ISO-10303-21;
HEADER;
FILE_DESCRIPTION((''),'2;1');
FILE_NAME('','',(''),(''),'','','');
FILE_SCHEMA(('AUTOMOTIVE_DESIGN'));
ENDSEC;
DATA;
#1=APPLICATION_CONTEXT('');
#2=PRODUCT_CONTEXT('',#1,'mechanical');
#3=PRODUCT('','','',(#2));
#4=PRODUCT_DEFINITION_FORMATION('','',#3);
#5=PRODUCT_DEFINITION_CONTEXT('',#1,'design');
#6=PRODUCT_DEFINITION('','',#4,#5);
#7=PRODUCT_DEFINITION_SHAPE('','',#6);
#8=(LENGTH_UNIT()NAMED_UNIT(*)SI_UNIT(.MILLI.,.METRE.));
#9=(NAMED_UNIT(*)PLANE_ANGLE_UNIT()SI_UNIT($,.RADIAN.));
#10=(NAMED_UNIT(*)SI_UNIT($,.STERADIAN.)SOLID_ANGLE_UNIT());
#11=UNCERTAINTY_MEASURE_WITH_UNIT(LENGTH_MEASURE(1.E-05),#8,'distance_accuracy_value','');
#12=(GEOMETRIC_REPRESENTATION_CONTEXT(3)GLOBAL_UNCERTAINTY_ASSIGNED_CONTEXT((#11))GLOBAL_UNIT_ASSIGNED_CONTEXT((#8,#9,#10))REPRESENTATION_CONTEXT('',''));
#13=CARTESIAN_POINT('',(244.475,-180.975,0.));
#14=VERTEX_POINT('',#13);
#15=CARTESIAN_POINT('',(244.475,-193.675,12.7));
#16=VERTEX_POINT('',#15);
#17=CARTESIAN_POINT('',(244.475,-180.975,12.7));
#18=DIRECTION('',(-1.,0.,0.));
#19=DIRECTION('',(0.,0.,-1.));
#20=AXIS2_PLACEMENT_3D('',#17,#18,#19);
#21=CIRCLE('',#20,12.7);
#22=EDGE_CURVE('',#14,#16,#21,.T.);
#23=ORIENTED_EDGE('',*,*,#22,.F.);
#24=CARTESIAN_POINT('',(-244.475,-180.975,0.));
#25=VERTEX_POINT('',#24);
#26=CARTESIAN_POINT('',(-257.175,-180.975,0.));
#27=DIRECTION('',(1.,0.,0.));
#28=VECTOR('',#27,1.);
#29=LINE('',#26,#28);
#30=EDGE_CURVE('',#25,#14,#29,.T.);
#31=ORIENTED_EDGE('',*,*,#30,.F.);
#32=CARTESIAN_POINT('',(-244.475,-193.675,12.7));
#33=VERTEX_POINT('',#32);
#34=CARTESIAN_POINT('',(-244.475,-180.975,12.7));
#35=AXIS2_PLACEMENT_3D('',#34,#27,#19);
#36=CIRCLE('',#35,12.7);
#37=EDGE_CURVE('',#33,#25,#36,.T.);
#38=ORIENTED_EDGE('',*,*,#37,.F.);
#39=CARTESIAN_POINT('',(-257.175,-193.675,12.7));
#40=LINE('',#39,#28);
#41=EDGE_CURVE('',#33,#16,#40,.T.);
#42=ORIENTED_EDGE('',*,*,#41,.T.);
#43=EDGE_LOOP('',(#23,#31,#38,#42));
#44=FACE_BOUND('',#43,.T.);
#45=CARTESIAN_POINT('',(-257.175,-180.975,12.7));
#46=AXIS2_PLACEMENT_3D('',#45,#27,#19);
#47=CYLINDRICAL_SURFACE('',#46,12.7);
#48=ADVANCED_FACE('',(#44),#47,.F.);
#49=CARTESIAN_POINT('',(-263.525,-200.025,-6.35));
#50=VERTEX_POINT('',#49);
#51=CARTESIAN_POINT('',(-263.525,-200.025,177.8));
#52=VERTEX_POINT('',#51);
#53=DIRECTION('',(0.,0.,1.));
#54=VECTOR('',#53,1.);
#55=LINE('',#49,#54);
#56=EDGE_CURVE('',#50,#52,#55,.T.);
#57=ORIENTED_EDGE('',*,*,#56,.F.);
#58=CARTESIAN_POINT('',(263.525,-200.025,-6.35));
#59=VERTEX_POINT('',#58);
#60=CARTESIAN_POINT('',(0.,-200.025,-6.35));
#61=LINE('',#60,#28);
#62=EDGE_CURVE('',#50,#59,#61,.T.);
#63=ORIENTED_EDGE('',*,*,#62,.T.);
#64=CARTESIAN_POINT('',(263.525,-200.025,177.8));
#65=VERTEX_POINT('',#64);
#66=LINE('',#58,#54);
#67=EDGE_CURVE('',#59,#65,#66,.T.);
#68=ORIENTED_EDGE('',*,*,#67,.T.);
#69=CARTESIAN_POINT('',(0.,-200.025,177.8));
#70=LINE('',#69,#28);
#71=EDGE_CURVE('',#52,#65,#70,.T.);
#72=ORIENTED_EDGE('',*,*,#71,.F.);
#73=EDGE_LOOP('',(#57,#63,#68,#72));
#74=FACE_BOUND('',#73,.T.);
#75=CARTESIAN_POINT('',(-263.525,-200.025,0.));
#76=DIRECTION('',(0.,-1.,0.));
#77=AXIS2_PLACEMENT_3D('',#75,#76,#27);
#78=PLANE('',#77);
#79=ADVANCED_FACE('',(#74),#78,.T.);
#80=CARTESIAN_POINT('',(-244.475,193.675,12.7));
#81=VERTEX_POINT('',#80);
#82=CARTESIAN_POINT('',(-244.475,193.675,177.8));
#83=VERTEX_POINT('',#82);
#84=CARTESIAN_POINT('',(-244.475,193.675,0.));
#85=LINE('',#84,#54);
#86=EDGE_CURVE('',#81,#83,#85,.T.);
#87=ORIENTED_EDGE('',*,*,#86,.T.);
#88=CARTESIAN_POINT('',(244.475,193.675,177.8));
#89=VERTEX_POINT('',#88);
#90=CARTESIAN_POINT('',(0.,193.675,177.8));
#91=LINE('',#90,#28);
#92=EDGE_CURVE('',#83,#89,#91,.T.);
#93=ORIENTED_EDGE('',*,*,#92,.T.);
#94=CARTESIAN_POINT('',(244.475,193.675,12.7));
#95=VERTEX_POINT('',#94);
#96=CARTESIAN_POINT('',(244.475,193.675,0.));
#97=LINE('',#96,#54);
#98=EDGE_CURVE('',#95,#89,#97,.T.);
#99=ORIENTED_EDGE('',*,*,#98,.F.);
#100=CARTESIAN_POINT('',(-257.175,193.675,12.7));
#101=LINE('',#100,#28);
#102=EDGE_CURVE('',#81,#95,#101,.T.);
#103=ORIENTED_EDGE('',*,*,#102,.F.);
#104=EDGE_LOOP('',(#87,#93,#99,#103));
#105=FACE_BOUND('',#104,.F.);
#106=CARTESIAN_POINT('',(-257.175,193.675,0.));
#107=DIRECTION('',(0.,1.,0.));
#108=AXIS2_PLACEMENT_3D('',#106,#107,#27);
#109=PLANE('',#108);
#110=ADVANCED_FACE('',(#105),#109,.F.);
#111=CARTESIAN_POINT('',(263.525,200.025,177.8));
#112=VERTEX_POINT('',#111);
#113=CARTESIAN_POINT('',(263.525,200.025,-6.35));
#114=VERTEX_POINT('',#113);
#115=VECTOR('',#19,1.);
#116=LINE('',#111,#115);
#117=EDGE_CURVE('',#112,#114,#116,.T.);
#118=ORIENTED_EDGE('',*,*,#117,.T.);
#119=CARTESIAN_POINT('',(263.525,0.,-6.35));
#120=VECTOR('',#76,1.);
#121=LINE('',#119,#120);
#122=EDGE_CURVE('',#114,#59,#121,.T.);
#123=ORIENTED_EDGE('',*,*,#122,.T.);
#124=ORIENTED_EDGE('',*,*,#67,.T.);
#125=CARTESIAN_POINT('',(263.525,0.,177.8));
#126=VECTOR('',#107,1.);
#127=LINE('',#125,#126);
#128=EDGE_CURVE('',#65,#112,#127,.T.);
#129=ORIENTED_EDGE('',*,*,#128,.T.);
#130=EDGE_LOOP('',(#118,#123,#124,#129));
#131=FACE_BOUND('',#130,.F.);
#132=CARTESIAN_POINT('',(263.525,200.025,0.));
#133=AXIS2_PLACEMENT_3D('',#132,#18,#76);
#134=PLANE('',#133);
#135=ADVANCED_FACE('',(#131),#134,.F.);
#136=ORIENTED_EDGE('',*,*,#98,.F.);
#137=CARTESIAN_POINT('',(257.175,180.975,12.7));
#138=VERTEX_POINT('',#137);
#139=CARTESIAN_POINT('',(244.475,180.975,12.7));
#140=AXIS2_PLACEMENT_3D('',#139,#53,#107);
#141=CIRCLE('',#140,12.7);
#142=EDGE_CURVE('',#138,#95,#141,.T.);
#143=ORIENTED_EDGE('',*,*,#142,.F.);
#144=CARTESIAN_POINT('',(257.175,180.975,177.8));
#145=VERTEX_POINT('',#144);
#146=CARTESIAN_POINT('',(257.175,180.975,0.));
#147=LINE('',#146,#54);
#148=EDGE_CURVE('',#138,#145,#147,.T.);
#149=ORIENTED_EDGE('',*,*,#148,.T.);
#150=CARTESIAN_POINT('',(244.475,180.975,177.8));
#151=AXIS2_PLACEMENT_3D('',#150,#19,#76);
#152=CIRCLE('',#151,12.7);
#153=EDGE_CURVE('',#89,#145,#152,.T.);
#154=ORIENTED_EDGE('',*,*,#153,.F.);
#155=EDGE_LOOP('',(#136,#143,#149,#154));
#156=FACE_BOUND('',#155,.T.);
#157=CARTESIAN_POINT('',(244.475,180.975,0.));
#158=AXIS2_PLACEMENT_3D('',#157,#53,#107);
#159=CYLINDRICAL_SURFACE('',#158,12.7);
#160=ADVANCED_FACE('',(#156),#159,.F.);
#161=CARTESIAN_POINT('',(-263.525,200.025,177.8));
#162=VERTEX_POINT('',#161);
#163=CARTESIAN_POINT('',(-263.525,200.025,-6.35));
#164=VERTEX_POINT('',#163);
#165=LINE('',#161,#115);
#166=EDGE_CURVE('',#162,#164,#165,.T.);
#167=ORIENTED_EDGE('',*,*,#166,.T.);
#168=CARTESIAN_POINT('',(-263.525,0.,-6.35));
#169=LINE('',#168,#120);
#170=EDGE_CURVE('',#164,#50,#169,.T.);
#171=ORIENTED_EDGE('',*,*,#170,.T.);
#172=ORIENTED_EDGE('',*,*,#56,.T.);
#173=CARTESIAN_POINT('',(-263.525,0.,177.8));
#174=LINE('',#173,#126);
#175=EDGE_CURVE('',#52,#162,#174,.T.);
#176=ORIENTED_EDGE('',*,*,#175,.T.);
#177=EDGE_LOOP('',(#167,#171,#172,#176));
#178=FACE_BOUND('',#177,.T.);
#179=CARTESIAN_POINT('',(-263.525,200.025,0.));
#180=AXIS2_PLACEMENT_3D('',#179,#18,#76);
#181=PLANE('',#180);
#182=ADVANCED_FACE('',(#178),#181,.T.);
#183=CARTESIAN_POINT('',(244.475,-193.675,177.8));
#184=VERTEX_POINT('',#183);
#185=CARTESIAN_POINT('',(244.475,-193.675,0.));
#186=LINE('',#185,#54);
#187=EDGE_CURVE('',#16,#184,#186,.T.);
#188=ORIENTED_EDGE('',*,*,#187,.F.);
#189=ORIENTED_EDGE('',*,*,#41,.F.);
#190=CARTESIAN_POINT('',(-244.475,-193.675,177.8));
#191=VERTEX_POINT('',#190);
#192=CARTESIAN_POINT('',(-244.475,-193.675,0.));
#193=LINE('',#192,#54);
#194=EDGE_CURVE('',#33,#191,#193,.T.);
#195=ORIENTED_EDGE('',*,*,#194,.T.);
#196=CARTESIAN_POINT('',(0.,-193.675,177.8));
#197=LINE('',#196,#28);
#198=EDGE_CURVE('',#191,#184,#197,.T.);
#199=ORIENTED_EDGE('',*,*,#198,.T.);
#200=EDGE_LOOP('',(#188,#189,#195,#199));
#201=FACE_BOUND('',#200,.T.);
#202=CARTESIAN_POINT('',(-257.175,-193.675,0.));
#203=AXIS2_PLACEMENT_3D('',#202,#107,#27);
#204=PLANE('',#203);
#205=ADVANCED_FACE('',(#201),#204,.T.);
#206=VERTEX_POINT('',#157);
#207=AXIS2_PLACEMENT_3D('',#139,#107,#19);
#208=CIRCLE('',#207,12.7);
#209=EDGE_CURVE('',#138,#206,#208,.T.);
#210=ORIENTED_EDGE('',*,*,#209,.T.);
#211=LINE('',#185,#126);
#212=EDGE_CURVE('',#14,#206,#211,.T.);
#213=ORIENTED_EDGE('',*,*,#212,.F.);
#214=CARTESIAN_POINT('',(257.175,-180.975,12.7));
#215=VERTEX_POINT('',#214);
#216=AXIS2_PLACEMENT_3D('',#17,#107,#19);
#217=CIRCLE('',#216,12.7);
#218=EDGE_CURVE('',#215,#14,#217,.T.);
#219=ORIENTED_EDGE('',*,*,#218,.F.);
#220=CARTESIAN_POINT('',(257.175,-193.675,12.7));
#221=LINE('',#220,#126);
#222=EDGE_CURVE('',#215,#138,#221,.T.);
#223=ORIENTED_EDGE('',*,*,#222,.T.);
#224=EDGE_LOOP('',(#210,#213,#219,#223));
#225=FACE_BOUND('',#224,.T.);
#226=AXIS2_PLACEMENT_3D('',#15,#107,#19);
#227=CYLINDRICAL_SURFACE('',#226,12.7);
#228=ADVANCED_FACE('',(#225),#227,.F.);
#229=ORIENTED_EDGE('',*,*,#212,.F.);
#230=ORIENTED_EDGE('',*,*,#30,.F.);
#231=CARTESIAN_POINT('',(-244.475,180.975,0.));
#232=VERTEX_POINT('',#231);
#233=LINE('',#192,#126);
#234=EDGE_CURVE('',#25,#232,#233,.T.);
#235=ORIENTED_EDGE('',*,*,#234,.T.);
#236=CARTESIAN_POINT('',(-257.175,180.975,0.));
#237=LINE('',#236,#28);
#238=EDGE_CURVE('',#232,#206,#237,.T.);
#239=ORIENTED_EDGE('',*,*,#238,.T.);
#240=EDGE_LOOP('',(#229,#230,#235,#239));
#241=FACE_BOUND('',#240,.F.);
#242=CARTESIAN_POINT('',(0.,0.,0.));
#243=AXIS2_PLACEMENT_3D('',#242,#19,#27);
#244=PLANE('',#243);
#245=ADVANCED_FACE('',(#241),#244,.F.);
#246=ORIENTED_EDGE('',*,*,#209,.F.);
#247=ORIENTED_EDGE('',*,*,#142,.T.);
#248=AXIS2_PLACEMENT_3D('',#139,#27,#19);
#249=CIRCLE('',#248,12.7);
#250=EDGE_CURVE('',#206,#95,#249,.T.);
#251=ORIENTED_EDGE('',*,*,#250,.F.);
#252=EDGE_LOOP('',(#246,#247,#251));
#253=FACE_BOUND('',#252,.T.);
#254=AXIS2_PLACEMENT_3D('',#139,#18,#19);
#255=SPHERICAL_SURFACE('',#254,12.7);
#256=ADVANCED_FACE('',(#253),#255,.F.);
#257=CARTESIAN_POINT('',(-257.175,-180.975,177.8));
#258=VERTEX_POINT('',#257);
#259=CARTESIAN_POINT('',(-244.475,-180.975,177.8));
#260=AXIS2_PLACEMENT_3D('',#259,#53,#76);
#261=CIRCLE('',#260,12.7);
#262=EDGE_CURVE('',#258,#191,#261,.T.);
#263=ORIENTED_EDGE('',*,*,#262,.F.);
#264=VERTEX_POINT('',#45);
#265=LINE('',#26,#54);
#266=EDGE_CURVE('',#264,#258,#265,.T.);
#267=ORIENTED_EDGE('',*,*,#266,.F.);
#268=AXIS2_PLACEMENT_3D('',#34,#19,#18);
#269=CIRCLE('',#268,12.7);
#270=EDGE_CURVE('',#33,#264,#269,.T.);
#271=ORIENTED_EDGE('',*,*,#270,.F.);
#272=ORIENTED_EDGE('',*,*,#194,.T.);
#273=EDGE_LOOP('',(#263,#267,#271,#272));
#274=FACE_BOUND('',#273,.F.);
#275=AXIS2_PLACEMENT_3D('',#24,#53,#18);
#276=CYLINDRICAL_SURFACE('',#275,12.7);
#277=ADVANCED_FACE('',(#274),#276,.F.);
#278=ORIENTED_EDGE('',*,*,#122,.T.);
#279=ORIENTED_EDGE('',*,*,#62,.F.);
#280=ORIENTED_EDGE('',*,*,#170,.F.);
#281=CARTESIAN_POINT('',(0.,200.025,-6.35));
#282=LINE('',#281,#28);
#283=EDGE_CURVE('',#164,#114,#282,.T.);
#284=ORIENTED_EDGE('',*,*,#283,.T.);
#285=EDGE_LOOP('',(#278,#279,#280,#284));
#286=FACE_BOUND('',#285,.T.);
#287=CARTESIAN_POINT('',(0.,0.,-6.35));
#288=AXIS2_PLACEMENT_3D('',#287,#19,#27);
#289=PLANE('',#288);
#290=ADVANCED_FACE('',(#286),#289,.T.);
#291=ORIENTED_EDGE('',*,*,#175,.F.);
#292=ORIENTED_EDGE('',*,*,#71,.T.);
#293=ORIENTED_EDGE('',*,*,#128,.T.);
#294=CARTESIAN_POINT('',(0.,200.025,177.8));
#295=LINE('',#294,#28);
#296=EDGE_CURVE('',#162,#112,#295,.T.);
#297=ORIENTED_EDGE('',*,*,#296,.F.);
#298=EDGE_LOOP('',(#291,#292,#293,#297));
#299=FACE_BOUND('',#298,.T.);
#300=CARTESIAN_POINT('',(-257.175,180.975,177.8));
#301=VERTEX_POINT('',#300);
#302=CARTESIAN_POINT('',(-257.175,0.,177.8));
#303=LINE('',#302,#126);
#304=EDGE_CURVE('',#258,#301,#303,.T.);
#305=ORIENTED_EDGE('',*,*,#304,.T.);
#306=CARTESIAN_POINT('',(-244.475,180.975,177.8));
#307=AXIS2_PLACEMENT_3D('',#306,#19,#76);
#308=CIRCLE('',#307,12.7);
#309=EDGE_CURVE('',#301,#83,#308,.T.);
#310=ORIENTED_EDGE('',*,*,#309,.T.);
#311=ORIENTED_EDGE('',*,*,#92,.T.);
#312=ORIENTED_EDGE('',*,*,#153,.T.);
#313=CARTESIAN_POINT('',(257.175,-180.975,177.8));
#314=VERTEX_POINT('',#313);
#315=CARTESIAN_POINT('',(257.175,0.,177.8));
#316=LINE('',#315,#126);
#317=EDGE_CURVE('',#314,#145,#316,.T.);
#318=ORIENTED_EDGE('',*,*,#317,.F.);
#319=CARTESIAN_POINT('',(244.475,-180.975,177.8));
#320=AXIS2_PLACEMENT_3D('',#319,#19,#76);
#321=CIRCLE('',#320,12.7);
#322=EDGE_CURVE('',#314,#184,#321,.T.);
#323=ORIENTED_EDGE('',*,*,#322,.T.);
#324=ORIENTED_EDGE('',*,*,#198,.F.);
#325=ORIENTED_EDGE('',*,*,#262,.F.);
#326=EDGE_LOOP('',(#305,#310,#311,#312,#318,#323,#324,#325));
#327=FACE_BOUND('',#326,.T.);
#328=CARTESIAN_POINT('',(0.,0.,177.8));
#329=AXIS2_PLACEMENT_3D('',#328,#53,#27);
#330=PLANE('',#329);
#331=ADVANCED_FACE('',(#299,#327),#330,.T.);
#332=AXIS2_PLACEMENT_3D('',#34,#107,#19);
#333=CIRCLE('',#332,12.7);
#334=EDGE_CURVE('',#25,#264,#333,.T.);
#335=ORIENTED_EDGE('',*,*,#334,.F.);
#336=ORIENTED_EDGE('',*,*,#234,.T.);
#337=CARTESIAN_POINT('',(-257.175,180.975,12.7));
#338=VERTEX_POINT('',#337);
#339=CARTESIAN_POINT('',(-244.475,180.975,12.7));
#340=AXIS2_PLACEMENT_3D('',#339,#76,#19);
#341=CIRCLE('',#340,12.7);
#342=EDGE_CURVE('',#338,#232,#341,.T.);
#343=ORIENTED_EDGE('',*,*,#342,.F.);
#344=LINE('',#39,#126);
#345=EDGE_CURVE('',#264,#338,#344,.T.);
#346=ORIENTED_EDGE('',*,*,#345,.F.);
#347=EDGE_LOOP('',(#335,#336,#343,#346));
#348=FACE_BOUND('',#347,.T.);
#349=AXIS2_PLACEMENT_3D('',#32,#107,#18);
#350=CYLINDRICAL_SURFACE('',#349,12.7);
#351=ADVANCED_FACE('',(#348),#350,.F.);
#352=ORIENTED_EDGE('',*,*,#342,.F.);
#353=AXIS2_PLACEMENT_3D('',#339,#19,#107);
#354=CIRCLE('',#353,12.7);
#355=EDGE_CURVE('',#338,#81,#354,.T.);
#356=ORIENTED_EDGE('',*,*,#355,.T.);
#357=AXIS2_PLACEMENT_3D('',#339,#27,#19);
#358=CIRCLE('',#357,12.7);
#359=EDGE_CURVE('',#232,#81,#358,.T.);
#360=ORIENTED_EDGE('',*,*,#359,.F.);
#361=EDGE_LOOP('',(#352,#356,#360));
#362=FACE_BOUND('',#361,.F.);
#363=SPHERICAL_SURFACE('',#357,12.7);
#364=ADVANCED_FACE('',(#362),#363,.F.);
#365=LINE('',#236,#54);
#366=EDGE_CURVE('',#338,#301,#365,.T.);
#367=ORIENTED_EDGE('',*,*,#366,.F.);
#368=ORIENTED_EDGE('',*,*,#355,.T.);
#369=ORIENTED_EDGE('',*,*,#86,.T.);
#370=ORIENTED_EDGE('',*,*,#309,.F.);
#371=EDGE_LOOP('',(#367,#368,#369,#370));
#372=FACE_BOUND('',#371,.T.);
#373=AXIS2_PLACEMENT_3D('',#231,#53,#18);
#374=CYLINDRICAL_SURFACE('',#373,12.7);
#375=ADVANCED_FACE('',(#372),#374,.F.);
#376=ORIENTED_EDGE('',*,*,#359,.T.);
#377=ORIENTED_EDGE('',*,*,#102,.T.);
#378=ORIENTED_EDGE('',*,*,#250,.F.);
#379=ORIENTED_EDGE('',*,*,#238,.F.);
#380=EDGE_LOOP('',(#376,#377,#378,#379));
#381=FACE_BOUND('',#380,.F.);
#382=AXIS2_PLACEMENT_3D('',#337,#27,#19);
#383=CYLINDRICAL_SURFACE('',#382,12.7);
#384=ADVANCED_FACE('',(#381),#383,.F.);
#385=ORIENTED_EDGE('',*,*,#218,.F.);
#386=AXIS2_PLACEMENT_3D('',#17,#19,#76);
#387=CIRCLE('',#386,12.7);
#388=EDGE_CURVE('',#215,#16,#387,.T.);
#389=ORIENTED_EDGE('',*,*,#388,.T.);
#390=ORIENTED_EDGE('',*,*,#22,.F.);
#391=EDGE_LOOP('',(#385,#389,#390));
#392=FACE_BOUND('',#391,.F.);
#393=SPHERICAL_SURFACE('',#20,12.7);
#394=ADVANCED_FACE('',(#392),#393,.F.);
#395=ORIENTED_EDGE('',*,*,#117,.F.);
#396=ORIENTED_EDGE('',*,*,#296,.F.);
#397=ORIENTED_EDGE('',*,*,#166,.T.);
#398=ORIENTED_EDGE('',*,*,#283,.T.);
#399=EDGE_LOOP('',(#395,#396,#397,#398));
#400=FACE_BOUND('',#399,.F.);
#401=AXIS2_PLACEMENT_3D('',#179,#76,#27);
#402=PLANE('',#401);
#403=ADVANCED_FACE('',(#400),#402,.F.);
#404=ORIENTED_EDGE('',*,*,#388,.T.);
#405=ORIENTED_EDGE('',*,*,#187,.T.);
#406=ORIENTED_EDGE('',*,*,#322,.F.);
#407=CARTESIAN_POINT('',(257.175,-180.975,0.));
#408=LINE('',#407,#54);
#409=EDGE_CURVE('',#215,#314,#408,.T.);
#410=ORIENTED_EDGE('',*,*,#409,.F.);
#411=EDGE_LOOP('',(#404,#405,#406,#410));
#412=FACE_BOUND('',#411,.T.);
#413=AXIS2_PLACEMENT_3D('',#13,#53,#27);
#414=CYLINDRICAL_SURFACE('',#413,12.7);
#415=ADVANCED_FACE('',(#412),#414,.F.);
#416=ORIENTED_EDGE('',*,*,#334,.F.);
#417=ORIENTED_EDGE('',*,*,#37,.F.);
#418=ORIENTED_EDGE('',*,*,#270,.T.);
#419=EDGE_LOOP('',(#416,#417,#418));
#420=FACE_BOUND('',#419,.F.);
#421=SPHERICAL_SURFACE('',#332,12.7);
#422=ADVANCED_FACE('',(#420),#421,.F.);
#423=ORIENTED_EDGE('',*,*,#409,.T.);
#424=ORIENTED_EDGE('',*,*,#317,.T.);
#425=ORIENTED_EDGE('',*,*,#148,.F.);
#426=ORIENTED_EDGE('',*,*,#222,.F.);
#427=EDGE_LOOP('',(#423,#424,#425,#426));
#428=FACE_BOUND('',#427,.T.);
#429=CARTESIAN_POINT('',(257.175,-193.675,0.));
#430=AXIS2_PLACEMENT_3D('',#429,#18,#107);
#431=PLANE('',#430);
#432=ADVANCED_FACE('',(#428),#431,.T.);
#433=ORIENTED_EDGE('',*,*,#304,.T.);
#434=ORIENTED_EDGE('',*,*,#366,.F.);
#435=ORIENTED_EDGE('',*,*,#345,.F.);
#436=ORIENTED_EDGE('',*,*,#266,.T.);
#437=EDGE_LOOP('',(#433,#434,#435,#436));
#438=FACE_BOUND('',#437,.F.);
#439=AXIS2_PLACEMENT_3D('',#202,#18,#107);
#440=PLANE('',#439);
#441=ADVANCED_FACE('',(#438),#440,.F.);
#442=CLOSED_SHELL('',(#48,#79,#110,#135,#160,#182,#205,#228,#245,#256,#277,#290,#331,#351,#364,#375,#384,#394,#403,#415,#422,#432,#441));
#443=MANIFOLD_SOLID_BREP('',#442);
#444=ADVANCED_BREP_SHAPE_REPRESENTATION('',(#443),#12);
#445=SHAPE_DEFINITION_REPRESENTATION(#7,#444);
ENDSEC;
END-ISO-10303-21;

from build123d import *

# Parameters (mm, degrees)
F0_W     = 527.05
F0_H     = 400.05
F0_W_2   = 514.35
F0_H_2   = 387.35
F1_DEPTH = 177.8
F2_W     = 527.05
F2_H     = 400.05
F3_DEPTH = 6.35
F4_R     = 12.7


with BuildPart() as f1:
    # F0 (on Top) → F1 (new body)
    with BuildSketch(Plane.XY):
        Rectangle(F0_W, F0_H)
        Rectangle(F0_W_2, F0_H_2, mode=Mode.SUBTRACT)
    extrude(amount=F1_DEPTH)

    # F2 (on face) → F3 (join)
    with BuildSketch(Plane(origin=(0, 0, 0), x_dir=(1, 0, 0), z_dir=(0, 0, -1))):
        Rectangle(F2_W, F2_H)
    extrude(amount=F3_DEPTH)

    # F4
    f4_edges = [f1.edges().sort_by_distance(p)[0] for p in [
        (0, 193.675, 0),
        (-257.175, 0, 0),
        (0, -193.675, 0),
        (257.175, 0, 0),
        (-257.175, 193.675, 88.9),
        (-257.175, -193.675, 88.9),
        (257.175, -193.675, 88.9),
        (257.175, 193.675, 88.9),
    ]]
    fillet(f4_edges, radius=F4_R)


solid = f1.part
